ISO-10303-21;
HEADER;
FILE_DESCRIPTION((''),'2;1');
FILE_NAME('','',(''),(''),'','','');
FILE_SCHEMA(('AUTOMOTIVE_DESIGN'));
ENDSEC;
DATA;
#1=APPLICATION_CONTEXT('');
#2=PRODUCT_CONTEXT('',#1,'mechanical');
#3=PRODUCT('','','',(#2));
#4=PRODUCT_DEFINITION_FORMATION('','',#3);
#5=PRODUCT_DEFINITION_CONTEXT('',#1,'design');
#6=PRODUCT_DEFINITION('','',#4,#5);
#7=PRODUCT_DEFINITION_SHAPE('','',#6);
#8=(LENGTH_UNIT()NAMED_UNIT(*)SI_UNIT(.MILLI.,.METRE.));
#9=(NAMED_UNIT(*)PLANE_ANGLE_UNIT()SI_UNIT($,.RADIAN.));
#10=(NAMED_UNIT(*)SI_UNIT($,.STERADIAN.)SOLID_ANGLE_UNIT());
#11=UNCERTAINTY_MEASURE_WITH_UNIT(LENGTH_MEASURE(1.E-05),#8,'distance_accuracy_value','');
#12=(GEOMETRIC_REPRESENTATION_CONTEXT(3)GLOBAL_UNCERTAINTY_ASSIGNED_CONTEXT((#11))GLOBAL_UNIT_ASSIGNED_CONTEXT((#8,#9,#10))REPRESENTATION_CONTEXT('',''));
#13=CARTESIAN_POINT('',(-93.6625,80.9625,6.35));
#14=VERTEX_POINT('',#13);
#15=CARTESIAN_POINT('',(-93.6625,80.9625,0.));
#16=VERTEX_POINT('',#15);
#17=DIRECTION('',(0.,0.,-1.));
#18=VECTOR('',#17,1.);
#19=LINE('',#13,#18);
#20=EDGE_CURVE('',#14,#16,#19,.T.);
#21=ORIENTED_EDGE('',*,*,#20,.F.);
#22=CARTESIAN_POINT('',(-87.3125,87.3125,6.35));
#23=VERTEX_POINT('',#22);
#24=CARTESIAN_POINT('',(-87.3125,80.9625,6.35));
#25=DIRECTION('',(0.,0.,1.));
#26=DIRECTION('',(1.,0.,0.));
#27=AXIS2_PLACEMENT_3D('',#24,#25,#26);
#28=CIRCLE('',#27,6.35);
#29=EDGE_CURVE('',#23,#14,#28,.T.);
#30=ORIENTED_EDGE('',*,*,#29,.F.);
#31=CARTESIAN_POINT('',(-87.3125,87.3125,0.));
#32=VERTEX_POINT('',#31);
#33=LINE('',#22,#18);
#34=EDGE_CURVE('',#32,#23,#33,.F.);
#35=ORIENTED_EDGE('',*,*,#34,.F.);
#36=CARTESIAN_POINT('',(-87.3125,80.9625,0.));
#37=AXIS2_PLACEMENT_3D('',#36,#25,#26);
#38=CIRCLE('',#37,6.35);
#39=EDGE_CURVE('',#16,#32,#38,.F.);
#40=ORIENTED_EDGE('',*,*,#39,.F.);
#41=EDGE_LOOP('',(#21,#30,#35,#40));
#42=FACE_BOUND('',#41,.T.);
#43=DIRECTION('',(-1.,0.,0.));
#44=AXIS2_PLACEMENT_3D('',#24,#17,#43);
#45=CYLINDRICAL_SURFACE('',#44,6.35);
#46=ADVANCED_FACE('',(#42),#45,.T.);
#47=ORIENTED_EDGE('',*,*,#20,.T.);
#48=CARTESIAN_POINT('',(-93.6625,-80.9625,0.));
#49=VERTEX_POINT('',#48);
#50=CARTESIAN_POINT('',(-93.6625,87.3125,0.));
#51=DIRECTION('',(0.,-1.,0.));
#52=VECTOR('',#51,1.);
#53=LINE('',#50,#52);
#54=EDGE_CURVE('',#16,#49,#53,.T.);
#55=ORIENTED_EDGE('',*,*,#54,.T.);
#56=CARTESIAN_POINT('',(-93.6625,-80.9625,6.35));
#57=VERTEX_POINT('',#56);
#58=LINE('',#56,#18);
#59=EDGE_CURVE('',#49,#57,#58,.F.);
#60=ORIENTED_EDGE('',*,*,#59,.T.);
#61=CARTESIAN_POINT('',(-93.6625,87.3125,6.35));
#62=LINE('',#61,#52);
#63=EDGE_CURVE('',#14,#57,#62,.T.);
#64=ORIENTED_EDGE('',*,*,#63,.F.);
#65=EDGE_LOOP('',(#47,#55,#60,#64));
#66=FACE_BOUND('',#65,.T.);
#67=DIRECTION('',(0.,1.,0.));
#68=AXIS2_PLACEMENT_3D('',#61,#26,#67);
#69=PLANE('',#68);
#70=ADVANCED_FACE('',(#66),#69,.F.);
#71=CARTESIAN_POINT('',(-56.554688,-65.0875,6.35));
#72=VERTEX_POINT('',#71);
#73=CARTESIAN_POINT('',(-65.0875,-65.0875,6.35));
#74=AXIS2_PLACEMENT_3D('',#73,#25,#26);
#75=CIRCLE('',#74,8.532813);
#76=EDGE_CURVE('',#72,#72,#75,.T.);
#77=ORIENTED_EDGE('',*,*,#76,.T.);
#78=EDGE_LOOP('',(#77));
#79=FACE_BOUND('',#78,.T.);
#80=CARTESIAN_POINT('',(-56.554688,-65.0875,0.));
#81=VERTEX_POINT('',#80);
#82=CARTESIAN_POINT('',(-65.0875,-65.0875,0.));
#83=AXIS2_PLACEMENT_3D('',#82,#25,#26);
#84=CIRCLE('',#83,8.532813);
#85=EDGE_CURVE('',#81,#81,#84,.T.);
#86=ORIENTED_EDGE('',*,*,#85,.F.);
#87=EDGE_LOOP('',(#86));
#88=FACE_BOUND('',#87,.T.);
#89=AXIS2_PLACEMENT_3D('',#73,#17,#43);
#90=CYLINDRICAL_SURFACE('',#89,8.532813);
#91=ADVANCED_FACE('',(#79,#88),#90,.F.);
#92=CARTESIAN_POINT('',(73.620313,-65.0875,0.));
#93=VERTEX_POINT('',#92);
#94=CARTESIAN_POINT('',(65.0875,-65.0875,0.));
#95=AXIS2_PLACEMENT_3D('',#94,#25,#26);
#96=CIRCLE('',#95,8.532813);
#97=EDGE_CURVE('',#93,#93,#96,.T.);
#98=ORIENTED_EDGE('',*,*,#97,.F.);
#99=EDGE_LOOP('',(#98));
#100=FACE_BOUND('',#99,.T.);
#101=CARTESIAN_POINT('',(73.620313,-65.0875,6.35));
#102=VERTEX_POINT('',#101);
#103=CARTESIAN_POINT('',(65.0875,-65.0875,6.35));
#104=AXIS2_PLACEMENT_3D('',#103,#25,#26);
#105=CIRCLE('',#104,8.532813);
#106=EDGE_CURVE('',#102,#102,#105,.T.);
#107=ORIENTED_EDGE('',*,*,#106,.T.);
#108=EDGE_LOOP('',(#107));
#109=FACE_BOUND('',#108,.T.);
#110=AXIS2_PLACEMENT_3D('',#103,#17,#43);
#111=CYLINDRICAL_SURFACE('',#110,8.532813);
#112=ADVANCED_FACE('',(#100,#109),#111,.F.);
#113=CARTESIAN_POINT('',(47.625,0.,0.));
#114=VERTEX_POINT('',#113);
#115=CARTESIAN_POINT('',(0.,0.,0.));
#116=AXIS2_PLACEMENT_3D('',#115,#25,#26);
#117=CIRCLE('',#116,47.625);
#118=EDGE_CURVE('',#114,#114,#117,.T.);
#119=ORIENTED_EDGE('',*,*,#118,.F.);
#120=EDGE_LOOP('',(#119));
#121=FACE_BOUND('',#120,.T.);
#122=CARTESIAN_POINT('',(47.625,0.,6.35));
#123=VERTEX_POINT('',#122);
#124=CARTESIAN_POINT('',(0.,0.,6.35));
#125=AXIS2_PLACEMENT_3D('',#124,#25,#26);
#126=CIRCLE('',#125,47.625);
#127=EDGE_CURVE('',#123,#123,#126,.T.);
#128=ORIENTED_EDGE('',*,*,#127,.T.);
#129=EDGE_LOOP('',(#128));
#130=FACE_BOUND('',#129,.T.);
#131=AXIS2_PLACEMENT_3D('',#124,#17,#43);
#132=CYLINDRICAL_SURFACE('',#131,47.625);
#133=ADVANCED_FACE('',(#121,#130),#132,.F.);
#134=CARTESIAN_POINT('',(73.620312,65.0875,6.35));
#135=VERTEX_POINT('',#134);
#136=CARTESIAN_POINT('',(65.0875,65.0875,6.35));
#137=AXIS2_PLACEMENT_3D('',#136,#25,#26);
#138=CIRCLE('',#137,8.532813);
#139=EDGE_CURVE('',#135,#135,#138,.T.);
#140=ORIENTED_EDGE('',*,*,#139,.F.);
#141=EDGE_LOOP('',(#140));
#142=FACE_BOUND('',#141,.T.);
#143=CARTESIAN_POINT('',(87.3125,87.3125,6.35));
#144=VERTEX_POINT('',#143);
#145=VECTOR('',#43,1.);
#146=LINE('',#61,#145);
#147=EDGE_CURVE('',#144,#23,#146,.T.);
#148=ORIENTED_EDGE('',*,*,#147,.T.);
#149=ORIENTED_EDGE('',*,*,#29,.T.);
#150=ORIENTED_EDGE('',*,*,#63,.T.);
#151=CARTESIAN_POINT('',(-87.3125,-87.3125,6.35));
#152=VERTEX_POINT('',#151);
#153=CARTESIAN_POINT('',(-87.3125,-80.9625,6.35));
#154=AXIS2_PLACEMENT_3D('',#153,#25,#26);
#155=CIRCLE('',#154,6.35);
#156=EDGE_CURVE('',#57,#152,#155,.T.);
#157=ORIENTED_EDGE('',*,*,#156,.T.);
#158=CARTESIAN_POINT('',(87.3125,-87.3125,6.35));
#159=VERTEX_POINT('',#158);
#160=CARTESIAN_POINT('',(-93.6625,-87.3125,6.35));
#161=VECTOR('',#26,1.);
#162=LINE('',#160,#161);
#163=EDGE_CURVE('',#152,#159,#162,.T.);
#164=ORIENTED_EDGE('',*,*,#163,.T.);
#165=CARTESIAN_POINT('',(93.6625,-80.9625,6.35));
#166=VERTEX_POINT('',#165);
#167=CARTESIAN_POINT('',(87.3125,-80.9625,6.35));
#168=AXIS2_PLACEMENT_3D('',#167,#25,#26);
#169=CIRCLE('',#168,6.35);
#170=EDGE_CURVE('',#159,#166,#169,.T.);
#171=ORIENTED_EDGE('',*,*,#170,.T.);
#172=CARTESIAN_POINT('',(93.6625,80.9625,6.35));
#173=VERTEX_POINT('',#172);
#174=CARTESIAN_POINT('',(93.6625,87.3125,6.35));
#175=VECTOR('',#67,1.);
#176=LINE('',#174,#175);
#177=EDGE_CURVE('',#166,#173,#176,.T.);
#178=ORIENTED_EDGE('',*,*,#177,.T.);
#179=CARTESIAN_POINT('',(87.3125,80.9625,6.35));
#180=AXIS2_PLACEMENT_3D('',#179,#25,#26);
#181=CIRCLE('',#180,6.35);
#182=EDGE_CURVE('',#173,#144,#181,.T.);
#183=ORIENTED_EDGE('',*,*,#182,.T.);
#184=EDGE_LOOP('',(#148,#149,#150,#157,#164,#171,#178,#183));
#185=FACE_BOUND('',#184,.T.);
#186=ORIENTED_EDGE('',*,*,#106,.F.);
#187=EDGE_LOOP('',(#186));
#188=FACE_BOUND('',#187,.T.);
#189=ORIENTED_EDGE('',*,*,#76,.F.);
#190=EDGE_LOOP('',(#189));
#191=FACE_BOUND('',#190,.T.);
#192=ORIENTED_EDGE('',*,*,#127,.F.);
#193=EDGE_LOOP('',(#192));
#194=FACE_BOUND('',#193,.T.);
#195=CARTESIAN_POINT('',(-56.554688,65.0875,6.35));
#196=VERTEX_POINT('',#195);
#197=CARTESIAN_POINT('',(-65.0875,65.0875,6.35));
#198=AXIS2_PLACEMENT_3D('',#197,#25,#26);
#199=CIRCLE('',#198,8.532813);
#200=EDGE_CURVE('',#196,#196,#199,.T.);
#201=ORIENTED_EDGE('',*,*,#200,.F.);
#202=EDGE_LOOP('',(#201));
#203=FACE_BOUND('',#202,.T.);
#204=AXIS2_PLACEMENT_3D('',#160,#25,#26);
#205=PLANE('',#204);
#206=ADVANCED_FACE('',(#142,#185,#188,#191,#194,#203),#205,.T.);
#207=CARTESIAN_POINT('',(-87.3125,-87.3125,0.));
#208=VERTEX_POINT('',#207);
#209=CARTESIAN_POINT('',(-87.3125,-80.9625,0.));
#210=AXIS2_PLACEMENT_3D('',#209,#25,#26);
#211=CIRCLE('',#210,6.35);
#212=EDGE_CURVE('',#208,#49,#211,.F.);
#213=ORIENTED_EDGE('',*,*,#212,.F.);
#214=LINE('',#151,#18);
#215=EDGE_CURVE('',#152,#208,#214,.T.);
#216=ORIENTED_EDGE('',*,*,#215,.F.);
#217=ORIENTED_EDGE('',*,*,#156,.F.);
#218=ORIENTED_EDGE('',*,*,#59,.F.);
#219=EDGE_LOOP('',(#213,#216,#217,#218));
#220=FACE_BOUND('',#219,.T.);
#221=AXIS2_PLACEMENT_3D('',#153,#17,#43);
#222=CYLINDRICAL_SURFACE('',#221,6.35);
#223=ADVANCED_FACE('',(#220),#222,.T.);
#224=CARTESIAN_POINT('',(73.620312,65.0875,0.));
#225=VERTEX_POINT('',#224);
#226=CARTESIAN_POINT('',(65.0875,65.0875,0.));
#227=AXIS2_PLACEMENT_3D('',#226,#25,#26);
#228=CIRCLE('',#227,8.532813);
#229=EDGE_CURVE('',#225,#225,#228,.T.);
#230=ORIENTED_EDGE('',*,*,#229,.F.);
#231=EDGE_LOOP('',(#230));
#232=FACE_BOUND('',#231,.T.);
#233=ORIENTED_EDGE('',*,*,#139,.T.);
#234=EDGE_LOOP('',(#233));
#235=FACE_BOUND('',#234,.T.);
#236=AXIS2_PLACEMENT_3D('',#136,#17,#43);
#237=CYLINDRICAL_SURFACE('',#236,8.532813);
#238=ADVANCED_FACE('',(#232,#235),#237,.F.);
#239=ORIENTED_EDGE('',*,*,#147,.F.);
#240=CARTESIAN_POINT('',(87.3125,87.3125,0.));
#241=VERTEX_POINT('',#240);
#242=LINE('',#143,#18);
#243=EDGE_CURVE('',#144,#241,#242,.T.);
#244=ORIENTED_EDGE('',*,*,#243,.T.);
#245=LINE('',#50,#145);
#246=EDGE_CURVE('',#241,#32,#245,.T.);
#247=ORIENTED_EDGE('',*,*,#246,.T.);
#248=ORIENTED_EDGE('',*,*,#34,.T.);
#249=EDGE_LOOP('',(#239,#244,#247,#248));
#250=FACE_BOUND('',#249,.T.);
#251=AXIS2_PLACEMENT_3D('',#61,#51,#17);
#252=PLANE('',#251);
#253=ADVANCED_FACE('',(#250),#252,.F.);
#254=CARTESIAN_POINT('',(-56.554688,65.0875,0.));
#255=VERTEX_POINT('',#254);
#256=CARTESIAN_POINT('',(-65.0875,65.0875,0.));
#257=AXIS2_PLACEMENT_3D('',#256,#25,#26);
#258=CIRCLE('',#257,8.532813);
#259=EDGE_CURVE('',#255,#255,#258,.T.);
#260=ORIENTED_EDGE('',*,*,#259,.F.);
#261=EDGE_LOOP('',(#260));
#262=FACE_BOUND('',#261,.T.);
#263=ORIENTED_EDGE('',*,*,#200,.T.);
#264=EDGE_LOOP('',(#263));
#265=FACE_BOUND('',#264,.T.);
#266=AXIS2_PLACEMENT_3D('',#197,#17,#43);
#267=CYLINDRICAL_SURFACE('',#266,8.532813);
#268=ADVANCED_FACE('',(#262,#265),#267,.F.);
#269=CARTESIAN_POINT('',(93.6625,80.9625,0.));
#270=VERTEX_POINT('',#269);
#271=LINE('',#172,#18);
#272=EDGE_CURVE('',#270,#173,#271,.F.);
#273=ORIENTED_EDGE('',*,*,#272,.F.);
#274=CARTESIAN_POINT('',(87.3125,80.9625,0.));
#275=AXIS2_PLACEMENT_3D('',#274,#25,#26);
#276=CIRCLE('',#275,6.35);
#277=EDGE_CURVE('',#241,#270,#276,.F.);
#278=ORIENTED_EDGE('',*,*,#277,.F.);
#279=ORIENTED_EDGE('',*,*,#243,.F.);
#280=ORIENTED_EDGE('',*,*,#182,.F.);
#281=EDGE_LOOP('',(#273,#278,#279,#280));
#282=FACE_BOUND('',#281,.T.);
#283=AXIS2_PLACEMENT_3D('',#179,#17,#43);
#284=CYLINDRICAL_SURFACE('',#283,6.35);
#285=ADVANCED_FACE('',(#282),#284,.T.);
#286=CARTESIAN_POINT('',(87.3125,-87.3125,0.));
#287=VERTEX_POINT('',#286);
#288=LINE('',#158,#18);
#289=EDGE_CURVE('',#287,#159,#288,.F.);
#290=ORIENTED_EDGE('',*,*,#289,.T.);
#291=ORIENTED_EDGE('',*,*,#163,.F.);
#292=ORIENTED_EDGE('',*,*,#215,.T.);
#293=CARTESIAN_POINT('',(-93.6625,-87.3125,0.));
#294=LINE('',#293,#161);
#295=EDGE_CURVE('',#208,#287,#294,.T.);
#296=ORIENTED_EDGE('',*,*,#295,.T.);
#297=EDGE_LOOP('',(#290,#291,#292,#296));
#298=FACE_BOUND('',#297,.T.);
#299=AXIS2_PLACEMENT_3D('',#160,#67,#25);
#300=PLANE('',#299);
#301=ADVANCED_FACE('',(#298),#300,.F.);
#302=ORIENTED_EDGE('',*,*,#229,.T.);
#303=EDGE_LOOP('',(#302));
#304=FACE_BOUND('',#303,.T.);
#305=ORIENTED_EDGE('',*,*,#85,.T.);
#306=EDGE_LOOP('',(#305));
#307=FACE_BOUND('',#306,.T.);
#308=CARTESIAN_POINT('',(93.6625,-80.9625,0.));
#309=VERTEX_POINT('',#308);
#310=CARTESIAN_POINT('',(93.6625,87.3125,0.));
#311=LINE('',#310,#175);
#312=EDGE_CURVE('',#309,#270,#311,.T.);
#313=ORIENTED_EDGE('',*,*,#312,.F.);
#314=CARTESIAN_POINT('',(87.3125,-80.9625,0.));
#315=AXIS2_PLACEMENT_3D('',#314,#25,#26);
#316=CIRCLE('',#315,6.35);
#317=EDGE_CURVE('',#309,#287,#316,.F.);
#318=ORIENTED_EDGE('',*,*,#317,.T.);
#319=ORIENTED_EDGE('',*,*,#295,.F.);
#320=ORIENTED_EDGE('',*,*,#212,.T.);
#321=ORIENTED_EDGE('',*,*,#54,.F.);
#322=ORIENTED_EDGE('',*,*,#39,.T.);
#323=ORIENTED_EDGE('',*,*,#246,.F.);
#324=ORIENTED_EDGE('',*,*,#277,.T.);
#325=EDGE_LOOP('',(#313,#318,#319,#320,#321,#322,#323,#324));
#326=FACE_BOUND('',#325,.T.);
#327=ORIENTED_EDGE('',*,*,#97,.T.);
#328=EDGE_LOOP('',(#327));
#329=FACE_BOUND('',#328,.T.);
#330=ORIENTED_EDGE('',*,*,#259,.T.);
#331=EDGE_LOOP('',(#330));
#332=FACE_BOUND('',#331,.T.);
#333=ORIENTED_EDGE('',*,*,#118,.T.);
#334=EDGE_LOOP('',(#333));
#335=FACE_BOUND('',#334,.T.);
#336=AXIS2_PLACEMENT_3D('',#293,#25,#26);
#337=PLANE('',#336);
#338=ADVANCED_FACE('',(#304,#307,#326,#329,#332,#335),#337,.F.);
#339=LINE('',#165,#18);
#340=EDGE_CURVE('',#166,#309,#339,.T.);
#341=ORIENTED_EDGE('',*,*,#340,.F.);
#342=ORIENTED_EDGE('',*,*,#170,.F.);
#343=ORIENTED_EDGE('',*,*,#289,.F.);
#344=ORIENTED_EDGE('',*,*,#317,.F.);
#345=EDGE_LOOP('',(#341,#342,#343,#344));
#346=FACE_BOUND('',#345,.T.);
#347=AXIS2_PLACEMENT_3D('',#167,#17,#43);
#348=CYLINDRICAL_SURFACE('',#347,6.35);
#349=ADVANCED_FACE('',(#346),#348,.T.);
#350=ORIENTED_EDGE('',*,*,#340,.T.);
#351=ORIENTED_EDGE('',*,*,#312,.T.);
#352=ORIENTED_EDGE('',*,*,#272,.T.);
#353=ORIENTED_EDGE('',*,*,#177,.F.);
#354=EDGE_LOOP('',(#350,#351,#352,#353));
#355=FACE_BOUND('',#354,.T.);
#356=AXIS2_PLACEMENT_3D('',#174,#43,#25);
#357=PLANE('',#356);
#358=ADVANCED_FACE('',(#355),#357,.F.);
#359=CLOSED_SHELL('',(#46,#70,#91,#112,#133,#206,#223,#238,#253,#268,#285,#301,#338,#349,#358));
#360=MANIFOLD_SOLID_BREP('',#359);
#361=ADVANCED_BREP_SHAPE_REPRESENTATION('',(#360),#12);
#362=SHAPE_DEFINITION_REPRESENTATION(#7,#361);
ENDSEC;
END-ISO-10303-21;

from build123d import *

# Parameters (mm, degrees)
SKETCH1_W      = 187.325
SKETCH1_H      = 174.625
SKETCH1_R      = 8.5328125
SKETCH1_R_2    = 47.625
EXTRUDE1_DEPTH = 6.35
FILLET1_R      = 6.35


with BuildPart() as part:
    # Sketch1 → Extrude1 (new body)
    with BuildSketch(Plane.XY):
        Rectangle(SKETCH1_W, SKETCH1_H)
        with Locations((-65.0875, 65.0875)):
            Circle(SKETCH1_R, mode=Mode.SUBTRACT)
        with Locations((65.0875, 65.0875)):
            Circle(SKETCH1_R, mode=Mode.SUBTRACT)
        with Locations((65.0875, -65.0875)):
            Circle(SKETCH1_R, mode=Mode.SUBTRACT)
        with Locations((-65.0875, -65.0875)):
            Circle(SKETCH1_R, mode=Mode.SUBTRACT)
        Circle(SKETCH1_R_2, mode=Mode.SUBTRACT)
    extrude(amount=EXTRUDE1_DEPTH)

    # Fillet1
    fillet1_edges = [part.edges().sort_by_distance(p)[0] for p in [
        (-93.6625, 87.3125, 3.175),
        (93.6625, 87.3125, 3.175),
        (93.6625, -87.3125, 3.175),
        (-93.6625, -87.3125, 3.175),
    ]]
    fillet(fillet1_edges, radius=FILLET1_R)


solid = part.part
